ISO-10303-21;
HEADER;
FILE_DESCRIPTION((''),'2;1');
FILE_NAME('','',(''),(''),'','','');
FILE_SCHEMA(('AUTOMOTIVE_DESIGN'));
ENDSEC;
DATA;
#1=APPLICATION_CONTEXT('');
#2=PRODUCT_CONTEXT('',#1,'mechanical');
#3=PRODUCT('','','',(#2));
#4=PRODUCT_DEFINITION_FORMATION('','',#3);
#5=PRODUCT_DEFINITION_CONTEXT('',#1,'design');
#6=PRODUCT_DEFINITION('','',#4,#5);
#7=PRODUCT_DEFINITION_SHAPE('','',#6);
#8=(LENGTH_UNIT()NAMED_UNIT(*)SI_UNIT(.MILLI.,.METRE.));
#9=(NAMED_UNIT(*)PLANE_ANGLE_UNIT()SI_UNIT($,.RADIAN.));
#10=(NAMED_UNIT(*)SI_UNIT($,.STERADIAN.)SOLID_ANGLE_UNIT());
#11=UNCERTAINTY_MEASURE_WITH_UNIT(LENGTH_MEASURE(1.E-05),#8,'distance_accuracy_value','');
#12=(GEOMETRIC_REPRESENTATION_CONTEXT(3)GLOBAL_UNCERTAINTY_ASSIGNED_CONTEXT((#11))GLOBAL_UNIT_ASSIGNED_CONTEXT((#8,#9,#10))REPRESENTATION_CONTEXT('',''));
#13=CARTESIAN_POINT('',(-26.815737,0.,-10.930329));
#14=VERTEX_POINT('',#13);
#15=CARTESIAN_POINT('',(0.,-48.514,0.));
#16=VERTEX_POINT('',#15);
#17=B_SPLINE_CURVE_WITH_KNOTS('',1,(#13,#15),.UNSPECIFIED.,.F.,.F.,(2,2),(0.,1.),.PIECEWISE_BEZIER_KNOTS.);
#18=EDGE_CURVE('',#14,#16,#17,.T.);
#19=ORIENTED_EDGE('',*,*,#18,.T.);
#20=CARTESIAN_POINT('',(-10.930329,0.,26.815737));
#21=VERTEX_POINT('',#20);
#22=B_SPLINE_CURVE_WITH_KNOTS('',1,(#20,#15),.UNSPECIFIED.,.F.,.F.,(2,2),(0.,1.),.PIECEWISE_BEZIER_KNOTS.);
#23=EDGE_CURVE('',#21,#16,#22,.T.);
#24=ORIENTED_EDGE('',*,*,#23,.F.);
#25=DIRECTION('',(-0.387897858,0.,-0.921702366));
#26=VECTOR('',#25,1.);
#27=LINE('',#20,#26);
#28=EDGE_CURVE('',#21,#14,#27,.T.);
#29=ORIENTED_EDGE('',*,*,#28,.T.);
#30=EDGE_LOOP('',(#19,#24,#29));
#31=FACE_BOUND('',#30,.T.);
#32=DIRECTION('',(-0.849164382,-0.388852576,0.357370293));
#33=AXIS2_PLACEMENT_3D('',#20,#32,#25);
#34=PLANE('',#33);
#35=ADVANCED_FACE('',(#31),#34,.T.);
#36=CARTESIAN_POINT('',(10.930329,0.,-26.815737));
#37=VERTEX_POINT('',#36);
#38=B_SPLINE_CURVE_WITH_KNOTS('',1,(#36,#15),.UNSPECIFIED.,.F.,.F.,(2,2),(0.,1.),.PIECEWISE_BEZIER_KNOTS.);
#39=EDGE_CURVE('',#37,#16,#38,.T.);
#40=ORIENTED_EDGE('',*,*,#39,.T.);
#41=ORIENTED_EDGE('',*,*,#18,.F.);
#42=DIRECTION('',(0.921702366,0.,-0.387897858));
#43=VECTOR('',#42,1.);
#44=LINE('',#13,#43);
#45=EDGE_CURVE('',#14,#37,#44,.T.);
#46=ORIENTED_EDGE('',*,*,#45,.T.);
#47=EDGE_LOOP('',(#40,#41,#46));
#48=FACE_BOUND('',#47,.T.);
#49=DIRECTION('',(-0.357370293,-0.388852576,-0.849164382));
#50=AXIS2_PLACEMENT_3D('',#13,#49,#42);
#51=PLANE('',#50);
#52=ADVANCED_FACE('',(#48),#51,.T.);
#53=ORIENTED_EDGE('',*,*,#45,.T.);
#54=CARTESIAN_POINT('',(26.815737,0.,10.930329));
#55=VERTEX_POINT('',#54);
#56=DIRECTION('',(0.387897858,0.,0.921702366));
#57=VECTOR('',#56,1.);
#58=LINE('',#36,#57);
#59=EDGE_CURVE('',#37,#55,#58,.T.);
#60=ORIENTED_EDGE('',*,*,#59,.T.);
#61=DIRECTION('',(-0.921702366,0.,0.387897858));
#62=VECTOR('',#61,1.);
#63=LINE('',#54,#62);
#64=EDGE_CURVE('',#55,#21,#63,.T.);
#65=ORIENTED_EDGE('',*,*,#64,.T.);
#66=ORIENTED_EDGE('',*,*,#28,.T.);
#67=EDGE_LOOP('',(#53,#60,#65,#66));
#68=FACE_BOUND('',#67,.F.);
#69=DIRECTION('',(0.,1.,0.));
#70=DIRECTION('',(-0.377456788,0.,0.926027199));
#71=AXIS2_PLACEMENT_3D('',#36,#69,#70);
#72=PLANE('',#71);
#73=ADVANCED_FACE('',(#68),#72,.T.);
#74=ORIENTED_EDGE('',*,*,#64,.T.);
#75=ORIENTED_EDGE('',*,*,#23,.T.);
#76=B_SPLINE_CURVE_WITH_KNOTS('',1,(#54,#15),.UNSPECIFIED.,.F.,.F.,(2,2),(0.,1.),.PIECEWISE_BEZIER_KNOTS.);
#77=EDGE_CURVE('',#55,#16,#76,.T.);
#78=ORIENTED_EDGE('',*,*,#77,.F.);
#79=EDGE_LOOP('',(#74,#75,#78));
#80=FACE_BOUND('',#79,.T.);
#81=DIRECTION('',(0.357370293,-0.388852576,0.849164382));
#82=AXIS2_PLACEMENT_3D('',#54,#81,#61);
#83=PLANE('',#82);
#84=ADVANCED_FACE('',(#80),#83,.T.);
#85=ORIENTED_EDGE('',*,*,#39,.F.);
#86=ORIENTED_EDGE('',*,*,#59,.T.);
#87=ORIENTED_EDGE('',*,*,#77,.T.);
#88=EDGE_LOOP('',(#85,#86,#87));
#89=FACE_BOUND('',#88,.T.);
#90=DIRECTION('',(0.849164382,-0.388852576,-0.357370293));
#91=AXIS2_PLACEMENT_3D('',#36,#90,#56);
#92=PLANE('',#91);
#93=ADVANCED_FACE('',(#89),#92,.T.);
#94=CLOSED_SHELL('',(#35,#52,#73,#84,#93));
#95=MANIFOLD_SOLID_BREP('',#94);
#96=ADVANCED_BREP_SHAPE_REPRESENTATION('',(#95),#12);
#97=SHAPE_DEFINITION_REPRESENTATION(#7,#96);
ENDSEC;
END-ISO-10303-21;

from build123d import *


with BuildPart() as f3:
    # F0 (on Front) → F3 section 0
    with BuildSketch(Plane.XZ, mode=Mode.PRIVATE) as f3_s0:
        Polygon((10.930329, -26.815737), (26.815737, 10.930329), (-10.930329, 26.815737), (-26.815737, -10.930329), align=None)
    loft([f3_s0.sketch, Vertex(0, -48.514, 0)])


solid = f3.part
